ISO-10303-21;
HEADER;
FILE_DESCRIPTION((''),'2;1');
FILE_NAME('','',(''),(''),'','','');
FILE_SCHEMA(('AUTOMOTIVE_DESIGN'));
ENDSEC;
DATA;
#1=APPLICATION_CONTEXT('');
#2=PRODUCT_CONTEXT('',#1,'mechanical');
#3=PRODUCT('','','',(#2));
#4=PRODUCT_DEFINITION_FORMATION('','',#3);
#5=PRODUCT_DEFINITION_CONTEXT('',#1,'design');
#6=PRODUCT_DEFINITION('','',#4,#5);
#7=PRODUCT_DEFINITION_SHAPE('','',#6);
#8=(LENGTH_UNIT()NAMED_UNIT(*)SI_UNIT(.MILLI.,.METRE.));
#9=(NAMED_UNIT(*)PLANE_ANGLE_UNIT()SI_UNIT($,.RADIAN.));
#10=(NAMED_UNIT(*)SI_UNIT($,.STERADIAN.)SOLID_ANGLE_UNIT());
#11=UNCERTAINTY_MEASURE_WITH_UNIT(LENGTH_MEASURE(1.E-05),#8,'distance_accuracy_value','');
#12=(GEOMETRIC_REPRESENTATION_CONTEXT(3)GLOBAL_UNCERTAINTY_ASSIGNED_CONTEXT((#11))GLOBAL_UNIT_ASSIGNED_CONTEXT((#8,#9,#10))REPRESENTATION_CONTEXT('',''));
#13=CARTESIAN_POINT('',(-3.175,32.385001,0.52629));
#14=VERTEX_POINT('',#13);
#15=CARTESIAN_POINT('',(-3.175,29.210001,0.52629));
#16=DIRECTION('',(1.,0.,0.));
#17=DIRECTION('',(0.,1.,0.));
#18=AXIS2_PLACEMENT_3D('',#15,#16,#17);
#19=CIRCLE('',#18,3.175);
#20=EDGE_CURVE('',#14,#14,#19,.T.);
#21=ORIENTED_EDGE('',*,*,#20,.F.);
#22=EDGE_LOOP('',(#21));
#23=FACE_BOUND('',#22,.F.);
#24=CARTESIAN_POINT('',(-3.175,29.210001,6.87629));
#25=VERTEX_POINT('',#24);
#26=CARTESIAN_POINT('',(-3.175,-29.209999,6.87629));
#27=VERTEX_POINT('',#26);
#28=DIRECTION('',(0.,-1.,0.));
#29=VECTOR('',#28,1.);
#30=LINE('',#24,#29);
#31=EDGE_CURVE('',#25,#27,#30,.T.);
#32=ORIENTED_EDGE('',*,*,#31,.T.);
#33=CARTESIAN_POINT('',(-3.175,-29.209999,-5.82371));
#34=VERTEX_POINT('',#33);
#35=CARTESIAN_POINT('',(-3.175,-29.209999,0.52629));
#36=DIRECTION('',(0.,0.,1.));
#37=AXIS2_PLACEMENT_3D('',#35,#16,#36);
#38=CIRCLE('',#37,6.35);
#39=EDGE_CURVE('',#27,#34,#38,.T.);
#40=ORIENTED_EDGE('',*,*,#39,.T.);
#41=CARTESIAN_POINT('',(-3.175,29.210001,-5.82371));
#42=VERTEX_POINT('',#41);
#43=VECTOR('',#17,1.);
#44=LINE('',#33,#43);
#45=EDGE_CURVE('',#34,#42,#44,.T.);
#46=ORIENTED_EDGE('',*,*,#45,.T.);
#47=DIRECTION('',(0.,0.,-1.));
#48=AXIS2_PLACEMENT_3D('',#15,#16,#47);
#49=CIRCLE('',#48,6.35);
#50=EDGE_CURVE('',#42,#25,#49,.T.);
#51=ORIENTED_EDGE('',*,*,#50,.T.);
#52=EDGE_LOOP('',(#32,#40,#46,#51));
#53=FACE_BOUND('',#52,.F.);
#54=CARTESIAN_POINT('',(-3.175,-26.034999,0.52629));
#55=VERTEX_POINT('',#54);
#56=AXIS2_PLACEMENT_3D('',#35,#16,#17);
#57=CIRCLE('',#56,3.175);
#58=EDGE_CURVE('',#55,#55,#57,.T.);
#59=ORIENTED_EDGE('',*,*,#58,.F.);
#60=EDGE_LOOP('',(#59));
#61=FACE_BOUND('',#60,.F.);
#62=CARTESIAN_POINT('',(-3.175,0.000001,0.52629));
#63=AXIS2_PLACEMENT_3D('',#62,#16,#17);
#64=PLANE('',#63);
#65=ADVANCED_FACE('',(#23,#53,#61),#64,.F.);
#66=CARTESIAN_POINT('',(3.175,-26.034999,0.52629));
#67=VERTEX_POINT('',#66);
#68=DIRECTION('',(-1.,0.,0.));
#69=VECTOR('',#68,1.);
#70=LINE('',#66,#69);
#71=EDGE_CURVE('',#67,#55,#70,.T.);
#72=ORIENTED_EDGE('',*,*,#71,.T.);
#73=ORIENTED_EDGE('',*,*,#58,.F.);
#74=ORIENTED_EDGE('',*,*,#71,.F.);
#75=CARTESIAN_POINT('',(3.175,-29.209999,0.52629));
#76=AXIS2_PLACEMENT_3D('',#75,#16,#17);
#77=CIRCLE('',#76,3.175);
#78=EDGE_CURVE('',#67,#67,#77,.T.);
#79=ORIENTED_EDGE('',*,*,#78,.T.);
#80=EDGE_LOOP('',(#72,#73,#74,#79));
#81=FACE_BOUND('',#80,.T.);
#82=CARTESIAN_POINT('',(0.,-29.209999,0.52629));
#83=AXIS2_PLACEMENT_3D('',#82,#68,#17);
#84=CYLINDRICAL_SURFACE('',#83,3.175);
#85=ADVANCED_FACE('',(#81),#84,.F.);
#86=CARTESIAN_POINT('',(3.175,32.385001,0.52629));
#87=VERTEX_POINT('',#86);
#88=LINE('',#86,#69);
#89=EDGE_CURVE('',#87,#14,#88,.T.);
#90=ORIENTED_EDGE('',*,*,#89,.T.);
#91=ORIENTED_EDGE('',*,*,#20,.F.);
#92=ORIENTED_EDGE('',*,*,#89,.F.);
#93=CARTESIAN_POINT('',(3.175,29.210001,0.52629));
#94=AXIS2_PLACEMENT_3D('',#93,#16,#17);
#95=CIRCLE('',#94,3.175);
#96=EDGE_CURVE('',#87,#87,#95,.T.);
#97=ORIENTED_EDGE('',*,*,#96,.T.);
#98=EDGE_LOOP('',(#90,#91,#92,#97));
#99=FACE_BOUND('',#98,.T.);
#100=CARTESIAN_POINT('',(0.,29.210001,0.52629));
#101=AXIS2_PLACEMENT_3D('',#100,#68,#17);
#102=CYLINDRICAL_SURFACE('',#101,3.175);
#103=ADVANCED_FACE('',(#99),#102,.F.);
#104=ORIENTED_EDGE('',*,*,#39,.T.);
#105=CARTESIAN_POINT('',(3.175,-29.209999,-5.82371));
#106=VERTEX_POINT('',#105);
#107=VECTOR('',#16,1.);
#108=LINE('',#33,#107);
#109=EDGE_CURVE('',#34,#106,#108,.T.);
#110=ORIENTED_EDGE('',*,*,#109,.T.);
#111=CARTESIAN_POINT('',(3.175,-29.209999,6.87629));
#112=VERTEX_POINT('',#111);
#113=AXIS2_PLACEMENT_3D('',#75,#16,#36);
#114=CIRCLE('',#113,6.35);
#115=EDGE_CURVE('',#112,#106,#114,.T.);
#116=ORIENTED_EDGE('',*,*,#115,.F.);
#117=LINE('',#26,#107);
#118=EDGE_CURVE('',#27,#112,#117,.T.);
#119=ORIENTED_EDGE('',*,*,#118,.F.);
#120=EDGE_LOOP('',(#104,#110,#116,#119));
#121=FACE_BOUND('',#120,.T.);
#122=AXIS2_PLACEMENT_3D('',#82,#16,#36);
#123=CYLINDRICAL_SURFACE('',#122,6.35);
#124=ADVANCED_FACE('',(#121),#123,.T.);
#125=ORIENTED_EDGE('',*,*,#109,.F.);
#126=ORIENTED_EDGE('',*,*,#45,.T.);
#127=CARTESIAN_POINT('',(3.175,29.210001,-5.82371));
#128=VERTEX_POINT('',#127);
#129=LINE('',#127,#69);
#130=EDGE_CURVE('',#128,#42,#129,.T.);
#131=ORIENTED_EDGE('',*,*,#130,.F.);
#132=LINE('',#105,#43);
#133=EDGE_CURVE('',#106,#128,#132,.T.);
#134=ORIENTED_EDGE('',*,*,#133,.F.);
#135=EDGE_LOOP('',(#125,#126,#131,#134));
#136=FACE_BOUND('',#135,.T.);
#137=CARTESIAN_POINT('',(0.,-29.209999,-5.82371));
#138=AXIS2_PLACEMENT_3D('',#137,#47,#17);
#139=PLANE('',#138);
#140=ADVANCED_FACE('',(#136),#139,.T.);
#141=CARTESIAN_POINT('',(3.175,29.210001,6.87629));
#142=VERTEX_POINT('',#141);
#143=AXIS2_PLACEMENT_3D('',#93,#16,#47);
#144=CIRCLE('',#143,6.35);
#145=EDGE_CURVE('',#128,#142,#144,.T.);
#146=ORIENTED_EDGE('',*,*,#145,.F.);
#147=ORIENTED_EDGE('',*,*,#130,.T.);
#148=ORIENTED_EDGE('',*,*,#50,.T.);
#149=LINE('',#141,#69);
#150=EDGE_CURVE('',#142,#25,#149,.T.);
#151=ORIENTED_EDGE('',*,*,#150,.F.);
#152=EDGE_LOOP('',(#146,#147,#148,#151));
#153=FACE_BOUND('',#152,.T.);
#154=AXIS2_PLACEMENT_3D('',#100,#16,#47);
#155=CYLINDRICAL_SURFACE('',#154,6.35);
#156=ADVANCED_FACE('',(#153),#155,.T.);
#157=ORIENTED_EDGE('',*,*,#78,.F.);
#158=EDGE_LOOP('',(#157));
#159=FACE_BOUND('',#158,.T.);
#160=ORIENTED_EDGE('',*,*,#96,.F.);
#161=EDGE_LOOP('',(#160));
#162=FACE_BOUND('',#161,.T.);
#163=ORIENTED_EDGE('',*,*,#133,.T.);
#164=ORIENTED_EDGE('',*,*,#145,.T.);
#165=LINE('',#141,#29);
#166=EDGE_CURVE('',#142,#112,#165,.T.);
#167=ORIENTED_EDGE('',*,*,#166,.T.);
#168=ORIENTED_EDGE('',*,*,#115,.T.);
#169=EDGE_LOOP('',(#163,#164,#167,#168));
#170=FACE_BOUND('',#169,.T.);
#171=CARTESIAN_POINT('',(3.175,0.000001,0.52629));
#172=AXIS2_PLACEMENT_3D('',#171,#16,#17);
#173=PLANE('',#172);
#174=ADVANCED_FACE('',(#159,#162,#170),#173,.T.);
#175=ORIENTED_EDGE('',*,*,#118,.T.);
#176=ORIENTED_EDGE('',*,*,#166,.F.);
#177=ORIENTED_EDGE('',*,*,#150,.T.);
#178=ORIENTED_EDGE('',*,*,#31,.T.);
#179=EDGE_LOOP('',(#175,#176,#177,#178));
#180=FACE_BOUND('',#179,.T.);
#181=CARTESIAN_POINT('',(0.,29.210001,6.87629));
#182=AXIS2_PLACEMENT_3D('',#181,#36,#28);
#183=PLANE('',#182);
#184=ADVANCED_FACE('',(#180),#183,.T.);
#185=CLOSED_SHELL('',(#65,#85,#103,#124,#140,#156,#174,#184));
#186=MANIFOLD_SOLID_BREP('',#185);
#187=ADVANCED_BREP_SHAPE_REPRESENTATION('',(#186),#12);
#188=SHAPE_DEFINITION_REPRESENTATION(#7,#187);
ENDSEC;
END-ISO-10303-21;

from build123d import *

# Parameters (mm, degrees)
F0_R     = 3.175
F1_DEPTH = 3.175


with BuildPart() as f1:
    # F0 (on Right) → F1 (new body, symmetric)
    with BuildSketch(Plane.YZ):
        with BuildLine():
            Line((29.210001, 6.87629), (-29.209999, 6.87629))
            ThreePointArc((-29.209999, 6.87629), (-35.559999, 0.52629), (-29.209999, -5.82371))
            Line((-29.209999, -5.82371), (29.210001, -5.82371))
            ThreePointArc((29.210001, -5.82371), (35.560001, 0.52629), (29.210001, 6.87629))
        make_face()
        with Locations((-29.209999, 0.52629)):
            Circle(F0_R, mode=Mode.SUBTRACT)
        with Locations((29.210001, 0.52629)):
            Circle(F0_R, mode=Mode.SUBTRACT)
    extrude(amount=F1_DEPTH, both=True)


solid = f1.part
